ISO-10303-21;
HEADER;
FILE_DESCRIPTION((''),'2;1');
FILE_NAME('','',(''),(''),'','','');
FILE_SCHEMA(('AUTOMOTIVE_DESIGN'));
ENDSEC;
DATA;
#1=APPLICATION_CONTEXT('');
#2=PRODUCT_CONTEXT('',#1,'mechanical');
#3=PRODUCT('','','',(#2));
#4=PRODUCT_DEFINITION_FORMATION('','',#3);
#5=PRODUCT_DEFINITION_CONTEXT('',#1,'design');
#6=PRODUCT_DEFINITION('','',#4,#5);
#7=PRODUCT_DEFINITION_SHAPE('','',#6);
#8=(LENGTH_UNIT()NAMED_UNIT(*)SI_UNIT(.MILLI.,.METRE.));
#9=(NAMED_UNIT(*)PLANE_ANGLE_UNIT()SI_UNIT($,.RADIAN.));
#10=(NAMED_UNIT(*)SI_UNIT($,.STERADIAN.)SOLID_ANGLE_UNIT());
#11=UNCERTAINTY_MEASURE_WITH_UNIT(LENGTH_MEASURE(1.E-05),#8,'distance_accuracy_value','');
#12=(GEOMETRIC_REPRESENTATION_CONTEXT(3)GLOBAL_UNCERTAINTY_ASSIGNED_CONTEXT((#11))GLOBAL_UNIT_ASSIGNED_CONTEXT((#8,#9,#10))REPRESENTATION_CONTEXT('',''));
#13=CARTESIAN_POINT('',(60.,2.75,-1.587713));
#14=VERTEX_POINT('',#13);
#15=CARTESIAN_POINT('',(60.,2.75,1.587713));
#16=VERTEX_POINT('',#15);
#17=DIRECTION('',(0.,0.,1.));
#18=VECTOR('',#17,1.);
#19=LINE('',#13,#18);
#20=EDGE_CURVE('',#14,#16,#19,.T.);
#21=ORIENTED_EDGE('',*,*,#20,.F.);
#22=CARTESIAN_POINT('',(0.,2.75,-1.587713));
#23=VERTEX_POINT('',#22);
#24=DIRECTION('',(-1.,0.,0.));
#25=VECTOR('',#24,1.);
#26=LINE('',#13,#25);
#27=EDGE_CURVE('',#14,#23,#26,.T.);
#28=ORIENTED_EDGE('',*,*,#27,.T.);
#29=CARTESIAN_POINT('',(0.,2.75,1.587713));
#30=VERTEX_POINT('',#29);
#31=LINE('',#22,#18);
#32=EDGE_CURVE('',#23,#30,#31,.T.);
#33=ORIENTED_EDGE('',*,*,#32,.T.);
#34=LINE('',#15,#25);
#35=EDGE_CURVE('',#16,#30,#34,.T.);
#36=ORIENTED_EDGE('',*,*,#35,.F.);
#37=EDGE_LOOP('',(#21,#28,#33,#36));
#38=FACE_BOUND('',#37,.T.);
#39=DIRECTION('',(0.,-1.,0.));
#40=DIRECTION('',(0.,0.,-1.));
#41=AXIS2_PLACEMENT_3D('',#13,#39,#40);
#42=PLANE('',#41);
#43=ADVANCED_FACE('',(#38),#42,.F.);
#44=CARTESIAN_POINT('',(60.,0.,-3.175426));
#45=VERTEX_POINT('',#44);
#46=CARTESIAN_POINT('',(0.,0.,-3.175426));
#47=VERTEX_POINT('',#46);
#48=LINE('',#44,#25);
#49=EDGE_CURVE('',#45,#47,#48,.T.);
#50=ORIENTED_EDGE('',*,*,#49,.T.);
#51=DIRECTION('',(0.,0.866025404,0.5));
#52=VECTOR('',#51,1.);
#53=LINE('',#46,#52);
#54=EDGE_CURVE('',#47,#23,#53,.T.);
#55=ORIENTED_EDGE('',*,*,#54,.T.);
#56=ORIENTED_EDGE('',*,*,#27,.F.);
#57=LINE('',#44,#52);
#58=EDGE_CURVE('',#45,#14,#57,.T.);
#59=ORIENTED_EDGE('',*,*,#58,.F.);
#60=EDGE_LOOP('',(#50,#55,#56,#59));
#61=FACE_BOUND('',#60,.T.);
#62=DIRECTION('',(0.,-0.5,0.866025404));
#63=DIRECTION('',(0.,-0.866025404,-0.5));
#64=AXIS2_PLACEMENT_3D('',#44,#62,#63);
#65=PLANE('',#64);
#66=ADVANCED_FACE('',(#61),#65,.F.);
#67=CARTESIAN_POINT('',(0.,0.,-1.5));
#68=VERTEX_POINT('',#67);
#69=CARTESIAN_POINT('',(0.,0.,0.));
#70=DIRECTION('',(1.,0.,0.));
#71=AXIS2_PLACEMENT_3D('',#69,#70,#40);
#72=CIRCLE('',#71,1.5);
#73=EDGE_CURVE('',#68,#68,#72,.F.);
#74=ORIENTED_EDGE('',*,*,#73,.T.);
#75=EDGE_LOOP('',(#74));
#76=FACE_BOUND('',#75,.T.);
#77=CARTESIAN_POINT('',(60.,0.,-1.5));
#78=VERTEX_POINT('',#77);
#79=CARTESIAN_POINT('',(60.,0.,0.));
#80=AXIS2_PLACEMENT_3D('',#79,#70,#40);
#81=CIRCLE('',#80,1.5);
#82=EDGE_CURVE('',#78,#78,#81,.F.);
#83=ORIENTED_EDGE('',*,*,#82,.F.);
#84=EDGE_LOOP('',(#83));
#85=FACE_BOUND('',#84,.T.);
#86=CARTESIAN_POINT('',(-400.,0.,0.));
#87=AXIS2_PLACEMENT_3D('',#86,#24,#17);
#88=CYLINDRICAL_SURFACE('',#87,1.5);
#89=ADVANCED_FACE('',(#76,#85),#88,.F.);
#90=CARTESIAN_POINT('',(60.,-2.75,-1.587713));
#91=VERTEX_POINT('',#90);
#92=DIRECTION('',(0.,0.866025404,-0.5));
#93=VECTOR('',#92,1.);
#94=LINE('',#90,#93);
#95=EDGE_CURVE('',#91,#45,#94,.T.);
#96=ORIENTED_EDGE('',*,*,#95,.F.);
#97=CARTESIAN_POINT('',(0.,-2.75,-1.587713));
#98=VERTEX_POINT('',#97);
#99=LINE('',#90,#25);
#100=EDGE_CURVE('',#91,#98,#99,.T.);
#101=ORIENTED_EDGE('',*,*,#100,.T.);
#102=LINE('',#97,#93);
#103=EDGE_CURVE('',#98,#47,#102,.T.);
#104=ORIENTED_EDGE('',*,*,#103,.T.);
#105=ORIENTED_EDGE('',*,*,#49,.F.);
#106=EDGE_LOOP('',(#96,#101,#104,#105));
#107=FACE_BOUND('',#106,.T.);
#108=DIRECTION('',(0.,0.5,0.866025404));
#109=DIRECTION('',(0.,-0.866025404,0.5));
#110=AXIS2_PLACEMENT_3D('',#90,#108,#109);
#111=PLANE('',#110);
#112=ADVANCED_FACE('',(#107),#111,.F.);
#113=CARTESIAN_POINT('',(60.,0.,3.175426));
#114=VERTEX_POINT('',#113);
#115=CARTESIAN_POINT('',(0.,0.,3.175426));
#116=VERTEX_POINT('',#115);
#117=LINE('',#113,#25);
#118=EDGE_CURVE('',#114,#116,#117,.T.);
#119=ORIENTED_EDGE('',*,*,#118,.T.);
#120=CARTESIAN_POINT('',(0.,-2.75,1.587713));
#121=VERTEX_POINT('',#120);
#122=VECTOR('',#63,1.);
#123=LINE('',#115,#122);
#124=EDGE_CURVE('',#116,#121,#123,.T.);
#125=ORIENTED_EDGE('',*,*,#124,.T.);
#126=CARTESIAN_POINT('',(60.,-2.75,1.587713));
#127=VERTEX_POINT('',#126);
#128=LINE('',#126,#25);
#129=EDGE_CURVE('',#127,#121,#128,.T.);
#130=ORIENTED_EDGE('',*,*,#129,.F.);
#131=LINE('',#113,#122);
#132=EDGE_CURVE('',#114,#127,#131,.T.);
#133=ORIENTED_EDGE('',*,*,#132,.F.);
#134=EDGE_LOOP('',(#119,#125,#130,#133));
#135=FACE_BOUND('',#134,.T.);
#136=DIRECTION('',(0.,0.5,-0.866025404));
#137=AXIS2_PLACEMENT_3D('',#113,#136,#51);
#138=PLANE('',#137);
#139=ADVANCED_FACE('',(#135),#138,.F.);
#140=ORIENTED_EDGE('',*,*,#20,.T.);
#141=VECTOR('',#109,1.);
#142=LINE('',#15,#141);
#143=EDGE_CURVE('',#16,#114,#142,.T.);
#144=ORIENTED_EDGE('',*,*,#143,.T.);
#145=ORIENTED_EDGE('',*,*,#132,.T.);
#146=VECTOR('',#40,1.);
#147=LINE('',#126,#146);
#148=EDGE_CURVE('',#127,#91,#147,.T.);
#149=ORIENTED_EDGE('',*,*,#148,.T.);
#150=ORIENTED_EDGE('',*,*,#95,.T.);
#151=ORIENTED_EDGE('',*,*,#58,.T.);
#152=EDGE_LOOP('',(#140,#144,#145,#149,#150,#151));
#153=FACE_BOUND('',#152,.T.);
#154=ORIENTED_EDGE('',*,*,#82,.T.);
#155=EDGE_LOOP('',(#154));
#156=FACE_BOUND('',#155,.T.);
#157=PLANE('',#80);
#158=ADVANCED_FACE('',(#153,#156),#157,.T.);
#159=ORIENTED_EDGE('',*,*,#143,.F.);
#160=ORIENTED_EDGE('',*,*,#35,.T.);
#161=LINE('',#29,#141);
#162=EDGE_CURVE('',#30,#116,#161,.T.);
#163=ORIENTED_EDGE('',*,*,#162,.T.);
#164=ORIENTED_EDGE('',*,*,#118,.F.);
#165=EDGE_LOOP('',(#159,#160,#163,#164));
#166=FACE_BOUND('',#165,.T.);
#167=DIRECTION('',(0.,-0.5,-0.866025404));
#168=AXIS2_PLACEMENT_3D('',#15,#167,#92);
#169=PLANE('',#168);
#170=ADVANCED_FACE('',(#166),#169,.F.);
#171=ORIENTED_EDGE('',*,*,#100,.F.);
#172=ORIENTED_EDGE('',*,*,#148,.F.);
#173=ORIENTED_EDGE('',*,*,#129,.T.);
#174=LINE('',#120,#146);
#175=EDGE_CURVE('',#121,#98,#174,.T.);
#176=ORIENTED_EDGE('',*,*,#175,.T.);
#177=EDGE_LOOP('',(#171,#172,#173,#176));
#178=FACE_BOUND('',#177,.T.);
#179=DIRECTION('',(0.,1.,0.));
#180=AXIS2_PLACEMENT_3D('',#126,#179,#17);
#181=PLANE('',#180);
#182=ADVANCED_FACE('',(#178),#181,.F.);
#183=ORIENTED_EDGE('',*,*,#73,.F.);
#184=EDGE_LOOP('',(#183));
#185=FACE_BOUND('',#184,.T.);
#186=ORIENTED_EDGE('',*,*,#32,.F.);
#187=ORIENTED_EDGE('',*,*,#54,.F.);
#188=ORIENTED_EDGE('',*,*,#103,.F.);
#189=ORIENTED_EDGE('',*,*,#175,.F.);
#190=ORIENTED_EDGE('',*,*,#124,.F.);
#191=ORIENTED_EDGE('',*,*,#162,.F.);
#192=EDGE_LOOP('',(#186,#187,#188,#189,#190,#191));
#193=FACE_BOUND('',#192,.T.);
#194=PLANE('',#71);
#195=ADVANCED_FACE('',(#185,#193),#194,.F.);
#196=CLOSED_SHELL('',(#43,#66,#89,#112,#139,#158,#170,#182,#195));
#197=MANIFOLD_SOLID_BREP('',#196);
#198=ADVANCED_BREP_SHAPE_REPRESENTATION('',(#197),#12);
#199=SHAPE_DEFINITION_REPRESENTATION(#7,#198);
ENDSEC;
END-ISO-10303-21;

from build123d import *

# Parameters (mm, degrees)
HEX_2_DEPTH   = 60
BORE_SKETCH_W = 62
BORE_SKETCH_H = 1.5


with BuildPart() as part:
    # Hex Sketch → Hex 2 (new body)
    with BuildSketch(Plane(origin=(0, 0, 0), x_dir=(0, 0, -1), z_dir=(1, 0, 0))):
        Polygon((3.175426481, 0), (1.58771324, 2.75), (-1.58771324, 2.75), (-3.175426481, 0), (-1.58771324, -2.75), (1.58771324, -2.75), align=None)
    extrude(amount=HEX_2_DEPTH)

    # Bore Sketch → Bore (revolve, cut)
    with BuildSketch(Plane.XY):
        with Locations((30, 0.75)):
            Rectangle(BORE_SKETCH_W, BORE_SKETCH_H)
    revolve(axis=Axis((-400, 0, 0), (1, 0, 0)), mode=Mode.SUBTRACT)


solid = part.part
